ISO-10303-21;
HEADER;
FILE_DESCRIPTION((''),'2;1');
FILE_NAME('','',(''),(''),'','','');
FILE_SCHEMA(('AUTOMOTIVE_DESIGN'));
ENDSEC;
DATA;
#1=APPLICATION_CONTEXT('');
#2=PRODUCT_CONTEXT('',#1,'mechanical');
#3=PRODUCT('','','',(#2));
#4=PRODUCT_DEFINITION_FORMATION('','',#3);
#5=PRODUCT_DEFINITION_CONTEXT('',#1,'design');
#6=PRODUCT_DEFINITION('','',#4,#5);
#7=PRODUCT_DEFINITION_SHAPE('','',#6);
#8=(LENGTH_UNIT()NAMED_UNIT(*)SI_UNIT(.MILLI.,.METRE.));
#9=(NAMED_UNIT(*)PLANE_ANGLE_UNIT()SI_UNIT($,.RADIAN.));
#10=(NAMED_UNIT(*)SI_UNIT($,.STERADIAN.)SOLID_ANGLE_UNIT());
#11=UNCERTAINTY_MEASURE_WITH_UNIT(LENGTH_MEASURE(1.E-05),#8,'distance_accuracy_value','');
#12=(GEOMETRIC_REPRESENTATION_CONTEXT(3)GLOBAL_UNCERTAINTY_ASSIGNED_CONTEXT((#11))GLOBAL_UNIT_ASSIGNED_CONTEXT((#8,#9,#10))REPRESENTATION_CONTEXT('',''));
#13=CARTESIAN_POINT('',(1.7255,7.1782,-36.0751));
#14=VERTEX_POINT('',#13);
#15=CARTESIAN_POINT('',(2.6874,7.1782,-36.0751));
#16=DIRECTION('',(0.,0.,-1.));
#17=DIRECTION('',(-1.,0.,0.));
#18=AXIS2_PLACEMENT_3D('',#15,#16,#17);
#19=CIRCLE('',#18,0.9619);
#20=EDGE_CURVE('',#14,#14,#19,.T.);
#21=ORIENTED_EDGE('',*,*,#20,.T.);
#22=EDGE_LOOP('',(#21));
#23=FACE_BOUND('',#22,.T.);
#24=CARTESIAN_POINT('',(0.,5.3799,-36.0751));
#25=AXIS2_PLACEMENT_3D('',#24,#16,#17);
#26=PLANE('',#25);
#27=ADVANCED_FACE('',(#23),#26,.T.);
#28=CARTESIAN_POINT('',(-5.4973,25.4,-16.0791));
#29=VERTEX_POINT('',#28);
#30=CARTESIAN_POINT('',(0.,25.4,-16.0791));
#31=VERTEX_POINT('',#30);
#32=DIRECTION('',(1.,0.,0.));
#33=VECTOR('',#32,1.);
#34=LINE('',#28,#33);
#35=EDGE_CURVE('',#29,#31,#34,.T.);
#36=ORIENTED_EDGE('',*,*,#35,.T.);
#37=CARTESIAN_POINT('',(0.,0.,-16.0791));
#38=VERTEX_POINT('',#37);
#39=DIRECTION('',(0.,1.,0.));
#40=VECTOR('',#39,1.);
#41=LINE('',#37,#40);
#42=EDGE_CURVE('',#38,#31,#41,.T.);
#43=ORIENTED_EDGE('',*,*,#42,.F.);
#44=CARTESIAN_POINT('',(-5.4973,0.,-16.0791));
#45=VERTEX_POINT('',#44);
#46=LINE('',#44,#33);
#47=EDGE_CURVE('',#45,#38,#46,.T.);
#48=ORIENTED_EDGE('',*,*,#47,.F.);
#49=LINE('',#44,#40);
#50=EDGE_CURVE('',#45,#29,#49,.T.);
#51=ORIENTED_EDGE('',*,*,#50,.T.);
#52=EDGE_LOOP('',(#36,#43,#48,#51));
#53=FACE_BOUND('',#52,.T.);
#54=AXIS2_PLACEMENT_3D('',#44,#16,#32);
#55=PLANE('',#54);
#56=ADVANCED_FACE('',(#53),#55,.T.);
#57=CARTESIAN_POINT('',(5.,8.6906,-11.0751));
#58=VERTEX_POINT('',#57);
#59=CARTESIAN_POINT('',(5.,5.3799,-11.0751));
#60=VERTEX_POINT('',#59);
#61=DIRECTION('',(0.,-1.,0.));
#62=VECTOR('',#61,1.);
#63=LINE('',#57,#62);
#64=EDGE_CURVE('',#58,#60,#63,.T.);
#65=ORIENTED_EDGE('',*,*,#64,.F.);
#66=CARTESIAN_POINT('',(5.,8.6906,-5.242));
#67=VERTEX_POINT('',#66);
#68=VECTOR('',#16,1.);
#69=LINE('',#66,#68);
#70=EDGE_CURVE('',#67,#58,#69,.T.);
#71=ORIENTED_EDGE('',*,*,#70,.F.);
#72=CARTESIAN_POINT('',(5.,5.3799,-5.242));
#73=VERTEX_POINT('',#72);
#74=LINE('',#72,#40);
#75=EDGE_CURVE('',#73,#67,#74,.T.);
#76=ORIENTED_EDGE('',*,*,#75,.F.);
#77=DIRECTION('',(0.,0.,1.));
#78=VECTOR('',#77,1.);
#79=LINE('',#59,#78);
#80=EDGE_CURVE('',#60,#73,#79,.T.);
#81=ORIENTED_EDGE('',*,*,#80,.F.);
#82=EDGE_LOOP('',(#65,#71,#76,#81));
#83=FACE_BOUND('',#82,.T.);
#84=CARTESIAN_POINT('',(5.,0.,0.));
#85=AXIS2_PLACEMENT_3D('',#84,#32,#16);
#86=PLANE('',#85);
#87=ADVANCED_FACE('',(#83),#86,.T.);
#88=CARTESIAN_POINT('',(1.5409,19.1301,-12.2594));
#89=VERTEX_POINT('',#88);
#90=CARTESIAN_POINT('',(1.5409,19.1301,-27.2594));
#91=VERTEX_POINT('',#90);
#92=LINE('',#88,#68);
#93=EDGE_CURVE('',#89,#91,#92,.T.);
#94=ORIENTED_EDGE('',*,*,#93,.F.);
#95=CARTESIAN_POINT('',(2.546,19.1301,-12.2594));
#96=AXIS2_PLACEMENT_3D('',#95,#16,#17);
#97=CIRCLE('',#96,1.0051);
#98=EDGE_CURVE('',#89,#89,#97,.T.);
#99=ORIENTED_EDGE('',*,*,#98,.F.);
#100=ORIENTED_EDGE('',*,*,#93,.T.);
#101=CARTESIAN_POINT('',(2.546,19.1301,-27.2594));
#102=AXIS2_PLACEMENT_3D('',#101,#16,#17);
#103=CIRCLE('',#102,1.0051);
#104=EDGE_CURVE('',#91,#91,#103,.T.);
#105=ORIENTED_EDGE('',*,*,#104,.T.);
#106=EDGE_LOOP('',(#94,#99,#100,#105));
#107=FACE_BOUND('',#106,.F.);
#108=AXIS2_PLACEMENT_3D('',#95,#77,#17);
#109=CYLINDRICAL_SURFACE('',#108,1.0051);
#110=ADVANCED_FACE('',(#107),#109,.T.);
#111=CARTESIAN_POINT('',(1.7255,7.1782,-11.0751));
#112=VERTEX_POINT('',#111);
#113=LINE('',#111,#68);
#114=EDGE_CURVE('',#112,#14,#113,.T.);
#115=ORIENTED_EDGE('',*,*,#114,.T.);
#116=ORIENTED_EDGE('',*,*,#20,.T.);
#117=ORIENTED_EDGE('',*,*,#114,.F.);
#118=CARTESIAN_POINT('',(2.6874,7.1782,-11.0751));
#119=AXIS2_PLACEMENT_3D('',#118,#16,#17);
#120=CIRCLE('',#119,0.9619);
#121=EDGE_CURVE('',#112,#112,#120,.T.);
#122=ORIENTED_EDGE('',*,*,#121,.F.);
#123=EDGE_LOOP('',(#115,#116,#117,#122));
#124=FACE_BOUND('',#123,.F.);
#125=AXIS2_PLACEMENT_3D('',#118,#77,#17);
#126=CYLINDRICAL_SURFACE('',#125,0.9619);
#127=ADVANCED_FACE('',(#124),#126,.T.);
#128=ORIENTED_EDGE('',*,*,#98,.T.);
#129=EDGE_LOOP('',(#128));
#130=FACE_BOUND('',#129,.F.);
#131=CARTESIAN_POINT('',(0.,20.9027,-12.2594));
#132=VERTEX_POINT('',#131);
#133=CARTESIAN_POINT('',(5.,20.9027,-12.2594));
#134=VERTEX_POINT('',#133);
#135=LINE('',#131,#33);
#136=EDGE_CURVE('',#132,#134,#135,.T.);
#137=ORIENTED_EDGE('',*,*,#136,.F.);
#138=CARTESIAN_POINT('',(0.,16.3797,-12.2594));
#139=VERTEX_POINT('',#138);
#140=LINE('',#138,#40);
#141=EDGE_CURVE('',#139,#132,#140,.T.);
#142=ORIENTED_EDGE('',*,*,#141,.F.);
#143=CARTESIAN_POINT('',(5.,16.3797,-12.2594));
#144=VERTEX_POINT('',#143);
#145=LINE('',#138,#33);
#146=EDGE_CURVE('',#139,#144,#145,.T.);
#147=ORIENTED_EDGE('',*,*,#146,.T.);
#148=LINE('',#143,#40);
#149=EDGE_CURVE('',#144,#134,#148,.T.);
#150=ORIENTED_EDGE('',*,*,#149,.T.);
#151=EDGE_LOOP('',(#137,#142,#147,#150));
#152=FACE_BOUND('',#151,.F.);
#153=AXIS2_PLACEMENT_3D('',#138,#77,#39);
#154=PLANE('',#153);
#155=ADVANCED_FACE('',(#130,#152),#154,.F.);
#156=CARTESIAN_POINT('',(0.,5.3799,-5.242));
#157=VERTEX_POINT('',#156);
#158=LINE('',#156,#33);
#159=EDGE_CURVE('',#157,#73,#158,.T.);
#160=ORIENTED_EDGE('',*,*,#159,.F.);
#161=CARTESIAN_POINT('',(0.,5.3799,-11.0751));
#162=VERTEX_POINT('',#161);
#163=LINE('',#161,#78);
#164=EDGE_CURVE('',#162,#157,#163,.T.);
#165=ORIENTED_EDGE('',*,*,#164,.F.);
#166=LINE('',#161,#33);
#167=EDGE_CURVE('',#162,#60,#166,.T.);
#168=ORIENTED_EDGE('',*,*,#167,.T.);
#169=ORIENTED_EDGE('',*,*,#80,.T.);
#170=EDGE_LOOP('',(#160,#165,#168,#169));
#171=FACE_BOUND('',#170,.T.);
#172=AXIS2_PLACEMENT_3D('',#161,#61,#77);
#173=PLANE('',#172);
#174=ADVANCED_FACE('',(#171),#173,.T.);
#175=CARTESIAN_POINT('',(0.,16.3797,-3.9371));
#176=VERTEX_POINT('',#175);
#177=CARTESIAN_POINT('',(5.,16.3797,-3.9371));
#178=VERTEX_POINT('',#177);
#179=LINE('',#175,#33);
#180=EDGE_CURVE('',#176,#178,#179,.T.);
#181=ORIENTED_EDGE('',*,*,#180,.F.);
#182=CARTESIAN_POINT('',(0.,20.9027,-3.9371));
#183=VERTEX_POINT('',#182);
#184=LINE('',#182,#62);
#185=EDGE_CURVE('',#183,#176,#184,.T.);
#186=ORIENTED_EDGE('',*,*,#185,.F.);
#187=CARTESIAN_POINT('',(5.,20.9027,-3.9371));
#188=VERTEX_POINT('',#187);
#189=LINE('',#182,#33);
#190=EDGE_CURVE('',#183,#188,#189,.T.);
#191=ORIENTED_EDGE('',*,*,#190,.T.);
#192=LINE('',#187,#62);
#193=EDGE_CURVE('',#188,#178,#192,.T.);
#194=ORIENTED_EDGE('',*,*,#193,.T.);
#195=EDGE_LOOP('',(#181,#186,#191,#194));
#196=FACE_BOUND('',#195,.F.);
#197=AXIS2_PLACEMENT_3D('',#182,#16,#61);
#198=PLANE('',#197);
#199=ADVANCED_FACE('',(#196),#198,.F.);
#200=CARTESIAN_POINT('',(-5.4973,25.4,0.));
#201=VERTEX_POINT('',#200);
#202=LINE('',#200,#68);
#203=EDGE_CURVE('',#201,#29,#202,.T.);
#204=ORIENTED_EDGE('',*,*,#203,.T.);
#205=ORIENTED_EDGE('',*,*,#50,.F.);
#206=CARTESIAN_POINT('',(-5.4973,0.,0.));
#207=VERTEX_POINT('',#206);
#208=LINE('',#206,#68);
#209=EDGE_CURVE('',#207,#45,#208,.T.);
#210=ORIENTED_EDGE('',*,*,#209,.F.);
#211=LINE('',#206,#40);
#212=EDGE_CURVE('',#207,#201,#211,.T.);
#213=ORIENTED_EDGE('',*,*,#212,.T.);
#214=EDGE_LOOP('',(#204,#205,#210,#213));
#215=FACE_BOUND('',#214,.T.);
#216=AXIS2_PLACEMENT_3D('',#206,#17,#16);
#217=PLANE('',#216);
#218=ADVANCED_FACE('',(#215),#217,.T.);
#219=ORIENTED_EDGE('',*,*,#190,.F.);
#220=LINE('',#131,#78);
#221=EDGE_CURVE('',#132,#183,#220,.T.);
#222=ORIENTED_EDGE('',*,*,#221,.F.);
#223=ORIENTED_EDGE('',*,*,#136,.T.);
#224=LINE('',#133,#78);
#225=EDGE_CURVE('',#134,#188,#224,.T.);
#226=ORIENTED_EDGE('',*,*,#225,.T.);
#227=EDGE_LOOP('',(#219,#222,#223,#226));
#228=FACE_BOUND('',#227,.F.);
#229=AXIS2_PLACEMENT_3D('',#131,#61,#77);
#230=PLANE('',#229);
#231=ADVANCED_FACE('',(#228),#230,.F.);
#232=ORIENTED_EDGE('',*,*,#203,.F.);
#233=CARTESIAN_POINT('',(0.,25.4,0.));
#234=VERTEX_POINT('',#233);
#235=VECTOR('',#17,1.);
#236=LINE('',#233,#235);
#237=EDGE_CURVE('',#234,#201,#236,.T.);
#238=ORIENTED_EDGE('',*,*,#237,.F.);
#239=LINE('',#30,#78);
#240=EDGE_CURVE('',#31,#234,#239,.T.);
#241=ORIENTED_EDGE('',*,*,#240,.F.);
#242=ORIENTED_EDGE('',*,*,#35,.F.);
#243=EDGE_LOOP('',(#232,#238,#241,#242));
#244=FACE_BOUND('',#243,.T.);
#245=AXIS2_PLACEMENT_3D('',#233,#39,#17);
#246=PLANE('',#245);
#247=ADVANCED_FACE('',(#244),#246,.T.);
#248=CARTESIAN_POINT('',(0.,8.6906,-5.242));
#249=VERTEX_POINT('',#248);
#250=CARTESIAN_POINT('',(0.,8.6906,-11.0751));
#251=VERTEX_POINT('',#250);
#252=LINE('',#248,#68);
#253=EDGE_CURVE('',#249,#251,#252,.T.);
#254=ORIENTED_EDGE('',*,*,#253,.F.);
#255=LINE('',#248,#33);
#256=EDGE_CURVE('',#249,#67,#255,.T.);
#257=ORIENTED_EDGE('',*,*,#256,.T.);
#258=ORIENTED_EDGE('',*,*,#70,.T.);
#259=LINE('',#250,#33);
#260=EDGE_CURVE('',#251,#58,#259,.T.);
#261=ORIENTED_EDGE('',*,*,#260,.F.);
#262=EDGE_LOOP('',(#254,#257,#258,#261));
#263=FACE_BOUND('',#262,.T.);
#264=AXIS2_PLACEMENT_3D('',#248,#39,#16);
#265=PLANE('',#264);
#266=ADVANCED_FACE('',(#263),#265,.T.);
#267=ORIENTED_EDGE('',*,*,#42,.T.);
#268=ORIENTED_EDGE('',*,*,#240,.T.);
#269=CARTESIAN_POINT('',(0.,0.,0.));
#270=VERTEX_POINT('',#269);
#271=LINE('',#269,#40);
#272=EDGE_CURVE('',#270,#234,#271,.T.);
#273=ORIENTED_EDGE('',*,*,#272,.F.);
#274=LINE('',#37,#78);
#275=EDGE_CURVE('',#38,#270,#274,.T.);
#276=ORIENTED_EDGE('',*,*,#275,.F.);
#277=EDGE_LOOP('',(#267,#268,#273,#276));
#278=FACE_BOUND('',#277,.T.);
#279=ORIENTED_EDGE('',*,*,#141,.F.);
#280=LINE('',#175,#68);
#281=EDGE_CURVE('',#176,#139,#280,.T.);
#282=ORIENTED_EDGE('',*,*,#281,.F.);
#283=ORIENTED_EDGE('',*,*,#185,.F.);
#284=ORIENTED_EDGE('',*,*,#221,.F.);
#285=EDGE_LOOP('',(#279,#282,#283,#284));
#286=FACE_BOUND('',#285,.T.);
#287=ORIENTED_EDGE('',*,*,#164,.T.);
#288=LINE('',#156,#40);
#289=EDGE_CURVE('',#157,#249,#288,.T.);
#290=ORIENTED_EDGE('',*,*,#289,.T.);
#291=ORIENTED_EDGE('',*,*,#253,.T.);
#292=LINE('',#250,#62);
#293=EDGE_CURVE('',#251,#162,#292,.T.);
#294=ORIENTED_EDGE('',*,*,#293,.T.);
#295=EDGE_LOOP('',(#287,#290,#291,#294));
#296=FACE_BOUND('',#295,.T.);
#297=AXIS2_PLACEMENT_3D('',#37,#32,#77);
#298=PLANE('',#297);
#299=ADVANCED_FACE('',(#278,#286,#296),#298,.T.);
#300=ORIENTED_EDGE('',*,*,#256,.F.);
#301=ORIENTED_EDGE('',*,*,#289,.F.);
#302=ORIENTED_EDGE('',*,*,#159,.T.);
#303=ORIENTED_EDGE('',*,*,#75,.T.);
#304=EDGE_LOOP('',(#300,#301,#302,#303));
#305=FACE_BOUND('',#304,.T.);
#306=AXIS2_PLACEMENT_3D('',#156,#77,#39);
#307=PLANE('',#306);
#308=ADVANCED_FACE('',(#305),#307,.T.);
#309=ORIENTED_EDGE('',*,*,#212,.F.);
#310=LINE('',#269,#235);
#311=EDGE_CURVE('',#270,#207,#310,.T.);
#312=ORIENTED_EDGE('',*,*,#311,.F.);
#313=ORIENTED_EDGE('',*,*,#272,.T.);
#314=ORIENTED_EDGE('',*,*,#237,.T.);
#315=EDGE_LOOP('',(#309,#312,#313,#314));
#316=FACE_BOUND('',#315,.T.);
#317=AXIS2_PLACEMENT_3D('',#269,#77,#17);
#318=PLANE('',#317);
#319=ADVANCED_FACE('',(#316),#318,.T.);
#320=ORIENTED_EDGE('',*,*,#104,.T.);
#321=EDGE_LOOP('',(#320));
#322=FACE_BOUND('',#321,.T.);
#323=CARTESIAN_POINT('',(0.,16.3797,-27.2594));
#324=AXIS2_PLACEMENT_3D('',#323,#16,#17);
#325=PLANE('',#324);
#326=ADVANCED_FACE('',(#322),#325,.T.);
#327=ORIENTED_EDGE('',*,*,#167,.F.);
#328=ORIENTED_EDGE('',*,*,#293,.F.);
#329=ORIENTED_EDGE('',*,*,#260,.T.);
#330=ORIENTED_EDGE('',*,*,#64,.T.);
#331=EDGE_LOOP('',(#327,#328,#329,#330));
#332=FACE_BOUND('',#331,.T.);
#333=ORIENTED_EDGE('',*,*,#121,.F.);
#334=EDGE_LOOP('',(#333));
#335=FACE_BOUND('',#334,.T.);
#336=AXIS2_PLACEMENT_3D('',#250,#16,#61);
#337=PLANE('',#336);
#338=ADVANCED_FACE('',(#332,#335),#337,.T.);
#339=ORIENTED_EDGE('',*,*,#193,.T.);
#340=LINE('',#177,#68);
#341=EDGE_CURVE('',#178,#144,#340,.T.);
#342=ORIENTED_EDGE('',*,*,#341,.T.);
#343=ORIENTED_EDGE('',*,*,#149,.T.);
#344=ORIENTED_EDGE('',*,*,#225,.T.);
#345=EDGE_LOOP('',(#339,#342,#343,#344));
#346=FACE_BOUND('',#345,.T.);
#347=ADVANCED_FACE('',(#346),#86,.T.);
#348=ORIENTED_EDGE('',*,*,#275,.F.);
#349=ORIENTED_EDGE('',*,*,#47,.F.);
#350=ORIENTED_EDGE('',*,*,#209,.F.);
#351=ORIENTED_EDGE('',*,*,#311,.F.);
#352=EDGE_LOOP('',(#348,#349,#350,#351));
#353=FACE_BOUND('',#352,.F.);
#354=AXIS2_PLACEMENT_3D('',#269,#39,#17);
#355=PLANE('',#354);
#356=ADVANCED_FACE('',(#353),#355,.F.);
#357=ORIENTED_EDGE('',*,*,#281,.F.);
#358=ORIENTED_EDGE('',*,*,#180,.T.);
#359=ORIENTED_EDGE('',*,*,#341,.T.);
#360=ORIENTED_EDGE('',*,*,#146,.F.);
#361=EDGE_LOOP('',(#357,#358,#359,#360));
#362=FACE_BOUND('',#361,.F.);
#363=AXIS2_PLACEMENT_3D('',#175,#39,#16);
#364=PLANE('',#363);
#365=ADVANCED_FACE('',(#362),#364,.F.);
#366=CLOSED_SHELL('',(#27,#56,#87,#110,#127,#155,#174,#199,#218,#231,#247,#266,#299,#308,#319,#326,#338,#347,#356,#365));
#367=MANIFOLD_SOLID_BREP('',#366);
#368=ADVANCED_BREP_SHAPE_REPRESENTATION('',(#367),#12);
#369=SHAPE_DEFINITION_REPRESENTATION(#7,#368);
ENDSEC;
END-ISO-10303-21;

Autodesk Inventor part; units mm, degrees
ref_plane "YZ Plane" through (0, 0, 0) normal (1, 0, 0) x (0, 1, 0)
ref_plane "XZ Plane" through (0, 0, 0) normal (0, 1, 0) x (-1, 0, 0)
ref_plane "XY Plane" through (0, 0, 0) normal (0, 0, 1) x (1, 0, 0)
sketch "Sketch1" plane through (0, 0, 0) normal (0, 1, 0) x (-1, 0, 0)
  line L0 (0, 0) -> (5.4973, 0)
  line L1 (5.4973, 0) -> (5.4973, -16.0791)
  line L2 (5.4973, -16.0791) -> (0, -16.0791)
  line L3 (0, -16.0791) -> (0, 0)
extrude "Extrusion1" add sketch "Sketch1" along normal blind 25.4
sketch "Sketch2" plane through (0, 0, 0) normal (1, 0, 0) x (0, 0, -1)
  line L0 (5.242, 8.6906) -> (11.0751, 8.6906)
  line L1 (11.0751, 8.6906) -> (11.0751, 5.3799)
  line L2 (11.0751, 5.3799) -> (5.242, 5.3799)
  line L3 (5.242, 5.3799) -> (5.242, 8.6906)
  line L4 (12.2594, 20.9027) -> (3.9371, 20.9027)
  line L5 (3.9371, 20.9027) -> (3.9371, 16.3797)
  line L6 (3.9371, 16.3797) -> (12.2594, 16.3797)
  line L7 (12.2594, 16.3797) -> (12.2594, 20.9027)
  point P0 (0, 0)
extrude "Extrusion2" add sketch "Sketch2" along normal blind 5
sketch "Sketch3" plane through (0, 25.4, 0) normal (0, 1, 0) x (1, 0, 0)
  point P0 (0, 0)
sketch "Sketch4" plane through (0, 16.3797, -12.2594) normal (0, 0, -1) x (-1, 0, 0)
  circle A0 centre (-2.546, 2.7504) radius 1.0051
  circle A1 centre (-2.546, -8.9893) radius 0.8063
  point P0 (0, -16.3797)
extrude "Extrusion3" add sketch "Sketch4" along normal blind 15 contours A0
sketch "Sketch5" plane through (0, 5.3799, -11.0751) normal (0, 0, -1) x (-1, 0, 0)
  circle A0 centre (-2.6874, 1.7983) radius 0.9619
  point P0 (0, -5.3799)
extrude "Extrusion4" add sketch "Sketch5" along normal blind 25
properties part number "niharika1"
